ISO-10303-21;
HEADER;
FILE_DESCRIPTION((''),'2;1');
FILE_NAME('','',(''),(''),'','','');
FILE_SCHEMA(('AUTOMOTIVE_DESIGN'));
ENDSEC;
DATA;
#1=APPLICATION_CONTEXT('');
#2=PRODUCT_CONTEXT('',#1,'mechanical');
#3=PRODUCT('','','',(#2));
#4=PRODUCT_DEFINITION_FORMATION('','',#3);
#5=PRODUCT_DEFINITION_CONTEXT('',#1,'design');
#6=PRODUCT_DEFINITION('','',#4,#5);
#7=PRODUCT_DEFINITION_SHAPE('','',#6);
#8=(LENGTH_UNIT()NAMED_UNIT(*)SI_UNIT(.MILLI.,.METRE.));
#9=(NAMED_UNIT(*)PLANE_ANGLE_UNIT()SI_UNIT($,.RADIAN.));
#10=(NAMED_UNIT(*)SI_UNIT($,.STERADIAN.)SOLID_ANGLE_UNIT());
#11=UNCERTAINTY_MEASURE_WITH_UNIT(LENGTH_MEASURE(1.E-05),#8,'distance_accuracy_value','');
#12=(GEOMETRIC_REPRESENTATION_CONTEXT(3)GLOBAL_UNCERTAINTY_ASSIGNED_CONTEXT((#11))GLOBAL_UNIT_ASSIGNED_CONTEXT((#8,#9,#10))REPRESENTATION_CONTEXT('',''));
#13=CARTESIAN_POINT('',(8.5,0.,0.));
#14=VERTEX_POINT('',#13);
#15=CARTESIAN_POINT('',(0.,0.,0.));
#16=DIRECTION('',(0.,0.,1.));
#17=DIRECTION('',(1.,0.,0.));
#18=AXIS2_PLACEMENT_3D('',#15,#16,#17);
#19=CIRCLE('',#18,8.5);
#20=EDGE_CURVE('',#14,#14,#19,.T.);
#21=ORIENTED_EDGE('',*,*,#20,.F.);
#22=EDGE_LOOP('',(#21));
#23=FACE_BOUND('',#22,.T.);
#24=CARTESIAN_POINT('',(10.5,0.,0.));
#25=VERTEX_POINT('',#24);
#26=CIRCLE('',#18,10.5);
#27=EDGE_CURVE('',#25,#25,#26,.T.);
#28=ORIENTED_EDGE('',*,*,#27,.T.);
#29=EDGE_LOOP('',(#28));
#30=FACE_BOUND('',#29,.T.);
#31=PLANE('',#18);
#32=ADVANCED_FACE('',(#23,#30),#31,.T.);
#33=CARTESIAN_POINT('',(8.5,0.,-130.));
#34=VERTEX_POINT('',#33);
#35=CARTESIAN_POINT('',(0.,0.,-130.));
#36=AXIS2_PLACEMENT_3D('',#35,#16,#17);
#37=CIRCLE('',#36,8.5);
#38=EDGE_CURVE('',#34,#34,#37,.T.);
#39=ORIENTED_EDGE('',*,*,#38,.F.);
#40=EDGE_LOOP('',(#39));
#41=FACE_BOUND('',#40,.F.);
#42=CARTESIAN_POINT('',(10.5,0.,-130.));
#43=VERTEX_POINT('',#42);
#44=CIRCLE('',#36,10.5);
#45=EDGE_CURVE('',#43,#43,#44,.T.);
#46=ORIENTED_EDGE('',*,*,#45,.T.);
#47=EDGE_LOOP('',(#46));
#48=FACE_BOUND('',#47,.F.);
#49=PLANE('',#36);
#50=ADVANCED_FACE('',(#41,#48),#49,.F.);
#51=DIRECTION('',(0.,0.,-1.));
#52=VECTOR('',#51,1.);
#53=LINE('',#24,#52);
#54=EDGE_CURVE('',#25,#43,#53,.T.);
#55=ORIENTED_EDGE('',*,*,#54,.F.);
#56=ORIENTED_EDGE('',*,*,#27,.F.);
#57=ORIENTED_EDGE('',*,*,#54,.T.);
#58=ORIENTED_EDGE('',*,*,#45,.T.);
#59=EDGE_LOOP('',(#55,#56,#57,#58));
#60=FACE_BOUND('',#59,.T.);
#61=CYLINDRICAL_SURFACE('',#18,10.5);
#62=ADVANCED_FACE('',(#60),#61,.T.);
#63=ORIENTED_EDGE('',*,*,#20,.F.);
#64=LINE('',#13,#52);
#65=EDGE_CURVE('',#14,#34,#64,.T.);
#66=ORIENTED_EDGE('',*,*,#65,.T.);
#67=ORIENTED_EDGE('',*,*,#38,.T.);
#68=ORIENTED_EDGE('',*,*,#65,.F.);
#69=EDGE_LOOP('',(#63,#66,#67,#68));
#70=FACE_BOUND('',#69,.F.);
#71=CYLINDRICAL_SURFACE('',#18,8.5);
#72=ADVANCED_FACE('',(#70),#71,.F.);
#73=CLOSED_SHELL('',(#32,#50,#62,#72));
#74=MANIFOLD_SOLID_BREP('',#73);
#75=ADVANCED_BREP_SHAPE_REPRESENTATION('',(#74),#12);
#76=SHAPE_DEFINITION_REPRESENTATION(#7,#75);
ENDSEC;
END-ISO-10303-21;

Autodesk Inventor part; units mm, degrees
ref_plane "YZ Plane" through (0, 0, 0) normal (1, 0, 0) x (0, 1, 0)
ref_plane "XZ Plane" through (0, 0, 0) normal (0, 1, 0) x (-1, 0, 0)
ref_plane "XY Plane" through (0, 0, 0) normal (0, 0, 1) x (1, 0, 0)
sketch "Sketch11" plane through (0, 0, 0) normal (0, 0, 1) x (1, 0, 0)
  circle A0 centre (0, 0) radius 10.5
  circle A1 centre (0, 0) radius 8.5
  dimension "d187" = 21
  dimension "d188" = 2
extrude "Extrusion5" add sketch "Sketch11" against normal blind 130
properties part number "ANP 1447 FDS thread  tube7" material "Stainless Steel"
